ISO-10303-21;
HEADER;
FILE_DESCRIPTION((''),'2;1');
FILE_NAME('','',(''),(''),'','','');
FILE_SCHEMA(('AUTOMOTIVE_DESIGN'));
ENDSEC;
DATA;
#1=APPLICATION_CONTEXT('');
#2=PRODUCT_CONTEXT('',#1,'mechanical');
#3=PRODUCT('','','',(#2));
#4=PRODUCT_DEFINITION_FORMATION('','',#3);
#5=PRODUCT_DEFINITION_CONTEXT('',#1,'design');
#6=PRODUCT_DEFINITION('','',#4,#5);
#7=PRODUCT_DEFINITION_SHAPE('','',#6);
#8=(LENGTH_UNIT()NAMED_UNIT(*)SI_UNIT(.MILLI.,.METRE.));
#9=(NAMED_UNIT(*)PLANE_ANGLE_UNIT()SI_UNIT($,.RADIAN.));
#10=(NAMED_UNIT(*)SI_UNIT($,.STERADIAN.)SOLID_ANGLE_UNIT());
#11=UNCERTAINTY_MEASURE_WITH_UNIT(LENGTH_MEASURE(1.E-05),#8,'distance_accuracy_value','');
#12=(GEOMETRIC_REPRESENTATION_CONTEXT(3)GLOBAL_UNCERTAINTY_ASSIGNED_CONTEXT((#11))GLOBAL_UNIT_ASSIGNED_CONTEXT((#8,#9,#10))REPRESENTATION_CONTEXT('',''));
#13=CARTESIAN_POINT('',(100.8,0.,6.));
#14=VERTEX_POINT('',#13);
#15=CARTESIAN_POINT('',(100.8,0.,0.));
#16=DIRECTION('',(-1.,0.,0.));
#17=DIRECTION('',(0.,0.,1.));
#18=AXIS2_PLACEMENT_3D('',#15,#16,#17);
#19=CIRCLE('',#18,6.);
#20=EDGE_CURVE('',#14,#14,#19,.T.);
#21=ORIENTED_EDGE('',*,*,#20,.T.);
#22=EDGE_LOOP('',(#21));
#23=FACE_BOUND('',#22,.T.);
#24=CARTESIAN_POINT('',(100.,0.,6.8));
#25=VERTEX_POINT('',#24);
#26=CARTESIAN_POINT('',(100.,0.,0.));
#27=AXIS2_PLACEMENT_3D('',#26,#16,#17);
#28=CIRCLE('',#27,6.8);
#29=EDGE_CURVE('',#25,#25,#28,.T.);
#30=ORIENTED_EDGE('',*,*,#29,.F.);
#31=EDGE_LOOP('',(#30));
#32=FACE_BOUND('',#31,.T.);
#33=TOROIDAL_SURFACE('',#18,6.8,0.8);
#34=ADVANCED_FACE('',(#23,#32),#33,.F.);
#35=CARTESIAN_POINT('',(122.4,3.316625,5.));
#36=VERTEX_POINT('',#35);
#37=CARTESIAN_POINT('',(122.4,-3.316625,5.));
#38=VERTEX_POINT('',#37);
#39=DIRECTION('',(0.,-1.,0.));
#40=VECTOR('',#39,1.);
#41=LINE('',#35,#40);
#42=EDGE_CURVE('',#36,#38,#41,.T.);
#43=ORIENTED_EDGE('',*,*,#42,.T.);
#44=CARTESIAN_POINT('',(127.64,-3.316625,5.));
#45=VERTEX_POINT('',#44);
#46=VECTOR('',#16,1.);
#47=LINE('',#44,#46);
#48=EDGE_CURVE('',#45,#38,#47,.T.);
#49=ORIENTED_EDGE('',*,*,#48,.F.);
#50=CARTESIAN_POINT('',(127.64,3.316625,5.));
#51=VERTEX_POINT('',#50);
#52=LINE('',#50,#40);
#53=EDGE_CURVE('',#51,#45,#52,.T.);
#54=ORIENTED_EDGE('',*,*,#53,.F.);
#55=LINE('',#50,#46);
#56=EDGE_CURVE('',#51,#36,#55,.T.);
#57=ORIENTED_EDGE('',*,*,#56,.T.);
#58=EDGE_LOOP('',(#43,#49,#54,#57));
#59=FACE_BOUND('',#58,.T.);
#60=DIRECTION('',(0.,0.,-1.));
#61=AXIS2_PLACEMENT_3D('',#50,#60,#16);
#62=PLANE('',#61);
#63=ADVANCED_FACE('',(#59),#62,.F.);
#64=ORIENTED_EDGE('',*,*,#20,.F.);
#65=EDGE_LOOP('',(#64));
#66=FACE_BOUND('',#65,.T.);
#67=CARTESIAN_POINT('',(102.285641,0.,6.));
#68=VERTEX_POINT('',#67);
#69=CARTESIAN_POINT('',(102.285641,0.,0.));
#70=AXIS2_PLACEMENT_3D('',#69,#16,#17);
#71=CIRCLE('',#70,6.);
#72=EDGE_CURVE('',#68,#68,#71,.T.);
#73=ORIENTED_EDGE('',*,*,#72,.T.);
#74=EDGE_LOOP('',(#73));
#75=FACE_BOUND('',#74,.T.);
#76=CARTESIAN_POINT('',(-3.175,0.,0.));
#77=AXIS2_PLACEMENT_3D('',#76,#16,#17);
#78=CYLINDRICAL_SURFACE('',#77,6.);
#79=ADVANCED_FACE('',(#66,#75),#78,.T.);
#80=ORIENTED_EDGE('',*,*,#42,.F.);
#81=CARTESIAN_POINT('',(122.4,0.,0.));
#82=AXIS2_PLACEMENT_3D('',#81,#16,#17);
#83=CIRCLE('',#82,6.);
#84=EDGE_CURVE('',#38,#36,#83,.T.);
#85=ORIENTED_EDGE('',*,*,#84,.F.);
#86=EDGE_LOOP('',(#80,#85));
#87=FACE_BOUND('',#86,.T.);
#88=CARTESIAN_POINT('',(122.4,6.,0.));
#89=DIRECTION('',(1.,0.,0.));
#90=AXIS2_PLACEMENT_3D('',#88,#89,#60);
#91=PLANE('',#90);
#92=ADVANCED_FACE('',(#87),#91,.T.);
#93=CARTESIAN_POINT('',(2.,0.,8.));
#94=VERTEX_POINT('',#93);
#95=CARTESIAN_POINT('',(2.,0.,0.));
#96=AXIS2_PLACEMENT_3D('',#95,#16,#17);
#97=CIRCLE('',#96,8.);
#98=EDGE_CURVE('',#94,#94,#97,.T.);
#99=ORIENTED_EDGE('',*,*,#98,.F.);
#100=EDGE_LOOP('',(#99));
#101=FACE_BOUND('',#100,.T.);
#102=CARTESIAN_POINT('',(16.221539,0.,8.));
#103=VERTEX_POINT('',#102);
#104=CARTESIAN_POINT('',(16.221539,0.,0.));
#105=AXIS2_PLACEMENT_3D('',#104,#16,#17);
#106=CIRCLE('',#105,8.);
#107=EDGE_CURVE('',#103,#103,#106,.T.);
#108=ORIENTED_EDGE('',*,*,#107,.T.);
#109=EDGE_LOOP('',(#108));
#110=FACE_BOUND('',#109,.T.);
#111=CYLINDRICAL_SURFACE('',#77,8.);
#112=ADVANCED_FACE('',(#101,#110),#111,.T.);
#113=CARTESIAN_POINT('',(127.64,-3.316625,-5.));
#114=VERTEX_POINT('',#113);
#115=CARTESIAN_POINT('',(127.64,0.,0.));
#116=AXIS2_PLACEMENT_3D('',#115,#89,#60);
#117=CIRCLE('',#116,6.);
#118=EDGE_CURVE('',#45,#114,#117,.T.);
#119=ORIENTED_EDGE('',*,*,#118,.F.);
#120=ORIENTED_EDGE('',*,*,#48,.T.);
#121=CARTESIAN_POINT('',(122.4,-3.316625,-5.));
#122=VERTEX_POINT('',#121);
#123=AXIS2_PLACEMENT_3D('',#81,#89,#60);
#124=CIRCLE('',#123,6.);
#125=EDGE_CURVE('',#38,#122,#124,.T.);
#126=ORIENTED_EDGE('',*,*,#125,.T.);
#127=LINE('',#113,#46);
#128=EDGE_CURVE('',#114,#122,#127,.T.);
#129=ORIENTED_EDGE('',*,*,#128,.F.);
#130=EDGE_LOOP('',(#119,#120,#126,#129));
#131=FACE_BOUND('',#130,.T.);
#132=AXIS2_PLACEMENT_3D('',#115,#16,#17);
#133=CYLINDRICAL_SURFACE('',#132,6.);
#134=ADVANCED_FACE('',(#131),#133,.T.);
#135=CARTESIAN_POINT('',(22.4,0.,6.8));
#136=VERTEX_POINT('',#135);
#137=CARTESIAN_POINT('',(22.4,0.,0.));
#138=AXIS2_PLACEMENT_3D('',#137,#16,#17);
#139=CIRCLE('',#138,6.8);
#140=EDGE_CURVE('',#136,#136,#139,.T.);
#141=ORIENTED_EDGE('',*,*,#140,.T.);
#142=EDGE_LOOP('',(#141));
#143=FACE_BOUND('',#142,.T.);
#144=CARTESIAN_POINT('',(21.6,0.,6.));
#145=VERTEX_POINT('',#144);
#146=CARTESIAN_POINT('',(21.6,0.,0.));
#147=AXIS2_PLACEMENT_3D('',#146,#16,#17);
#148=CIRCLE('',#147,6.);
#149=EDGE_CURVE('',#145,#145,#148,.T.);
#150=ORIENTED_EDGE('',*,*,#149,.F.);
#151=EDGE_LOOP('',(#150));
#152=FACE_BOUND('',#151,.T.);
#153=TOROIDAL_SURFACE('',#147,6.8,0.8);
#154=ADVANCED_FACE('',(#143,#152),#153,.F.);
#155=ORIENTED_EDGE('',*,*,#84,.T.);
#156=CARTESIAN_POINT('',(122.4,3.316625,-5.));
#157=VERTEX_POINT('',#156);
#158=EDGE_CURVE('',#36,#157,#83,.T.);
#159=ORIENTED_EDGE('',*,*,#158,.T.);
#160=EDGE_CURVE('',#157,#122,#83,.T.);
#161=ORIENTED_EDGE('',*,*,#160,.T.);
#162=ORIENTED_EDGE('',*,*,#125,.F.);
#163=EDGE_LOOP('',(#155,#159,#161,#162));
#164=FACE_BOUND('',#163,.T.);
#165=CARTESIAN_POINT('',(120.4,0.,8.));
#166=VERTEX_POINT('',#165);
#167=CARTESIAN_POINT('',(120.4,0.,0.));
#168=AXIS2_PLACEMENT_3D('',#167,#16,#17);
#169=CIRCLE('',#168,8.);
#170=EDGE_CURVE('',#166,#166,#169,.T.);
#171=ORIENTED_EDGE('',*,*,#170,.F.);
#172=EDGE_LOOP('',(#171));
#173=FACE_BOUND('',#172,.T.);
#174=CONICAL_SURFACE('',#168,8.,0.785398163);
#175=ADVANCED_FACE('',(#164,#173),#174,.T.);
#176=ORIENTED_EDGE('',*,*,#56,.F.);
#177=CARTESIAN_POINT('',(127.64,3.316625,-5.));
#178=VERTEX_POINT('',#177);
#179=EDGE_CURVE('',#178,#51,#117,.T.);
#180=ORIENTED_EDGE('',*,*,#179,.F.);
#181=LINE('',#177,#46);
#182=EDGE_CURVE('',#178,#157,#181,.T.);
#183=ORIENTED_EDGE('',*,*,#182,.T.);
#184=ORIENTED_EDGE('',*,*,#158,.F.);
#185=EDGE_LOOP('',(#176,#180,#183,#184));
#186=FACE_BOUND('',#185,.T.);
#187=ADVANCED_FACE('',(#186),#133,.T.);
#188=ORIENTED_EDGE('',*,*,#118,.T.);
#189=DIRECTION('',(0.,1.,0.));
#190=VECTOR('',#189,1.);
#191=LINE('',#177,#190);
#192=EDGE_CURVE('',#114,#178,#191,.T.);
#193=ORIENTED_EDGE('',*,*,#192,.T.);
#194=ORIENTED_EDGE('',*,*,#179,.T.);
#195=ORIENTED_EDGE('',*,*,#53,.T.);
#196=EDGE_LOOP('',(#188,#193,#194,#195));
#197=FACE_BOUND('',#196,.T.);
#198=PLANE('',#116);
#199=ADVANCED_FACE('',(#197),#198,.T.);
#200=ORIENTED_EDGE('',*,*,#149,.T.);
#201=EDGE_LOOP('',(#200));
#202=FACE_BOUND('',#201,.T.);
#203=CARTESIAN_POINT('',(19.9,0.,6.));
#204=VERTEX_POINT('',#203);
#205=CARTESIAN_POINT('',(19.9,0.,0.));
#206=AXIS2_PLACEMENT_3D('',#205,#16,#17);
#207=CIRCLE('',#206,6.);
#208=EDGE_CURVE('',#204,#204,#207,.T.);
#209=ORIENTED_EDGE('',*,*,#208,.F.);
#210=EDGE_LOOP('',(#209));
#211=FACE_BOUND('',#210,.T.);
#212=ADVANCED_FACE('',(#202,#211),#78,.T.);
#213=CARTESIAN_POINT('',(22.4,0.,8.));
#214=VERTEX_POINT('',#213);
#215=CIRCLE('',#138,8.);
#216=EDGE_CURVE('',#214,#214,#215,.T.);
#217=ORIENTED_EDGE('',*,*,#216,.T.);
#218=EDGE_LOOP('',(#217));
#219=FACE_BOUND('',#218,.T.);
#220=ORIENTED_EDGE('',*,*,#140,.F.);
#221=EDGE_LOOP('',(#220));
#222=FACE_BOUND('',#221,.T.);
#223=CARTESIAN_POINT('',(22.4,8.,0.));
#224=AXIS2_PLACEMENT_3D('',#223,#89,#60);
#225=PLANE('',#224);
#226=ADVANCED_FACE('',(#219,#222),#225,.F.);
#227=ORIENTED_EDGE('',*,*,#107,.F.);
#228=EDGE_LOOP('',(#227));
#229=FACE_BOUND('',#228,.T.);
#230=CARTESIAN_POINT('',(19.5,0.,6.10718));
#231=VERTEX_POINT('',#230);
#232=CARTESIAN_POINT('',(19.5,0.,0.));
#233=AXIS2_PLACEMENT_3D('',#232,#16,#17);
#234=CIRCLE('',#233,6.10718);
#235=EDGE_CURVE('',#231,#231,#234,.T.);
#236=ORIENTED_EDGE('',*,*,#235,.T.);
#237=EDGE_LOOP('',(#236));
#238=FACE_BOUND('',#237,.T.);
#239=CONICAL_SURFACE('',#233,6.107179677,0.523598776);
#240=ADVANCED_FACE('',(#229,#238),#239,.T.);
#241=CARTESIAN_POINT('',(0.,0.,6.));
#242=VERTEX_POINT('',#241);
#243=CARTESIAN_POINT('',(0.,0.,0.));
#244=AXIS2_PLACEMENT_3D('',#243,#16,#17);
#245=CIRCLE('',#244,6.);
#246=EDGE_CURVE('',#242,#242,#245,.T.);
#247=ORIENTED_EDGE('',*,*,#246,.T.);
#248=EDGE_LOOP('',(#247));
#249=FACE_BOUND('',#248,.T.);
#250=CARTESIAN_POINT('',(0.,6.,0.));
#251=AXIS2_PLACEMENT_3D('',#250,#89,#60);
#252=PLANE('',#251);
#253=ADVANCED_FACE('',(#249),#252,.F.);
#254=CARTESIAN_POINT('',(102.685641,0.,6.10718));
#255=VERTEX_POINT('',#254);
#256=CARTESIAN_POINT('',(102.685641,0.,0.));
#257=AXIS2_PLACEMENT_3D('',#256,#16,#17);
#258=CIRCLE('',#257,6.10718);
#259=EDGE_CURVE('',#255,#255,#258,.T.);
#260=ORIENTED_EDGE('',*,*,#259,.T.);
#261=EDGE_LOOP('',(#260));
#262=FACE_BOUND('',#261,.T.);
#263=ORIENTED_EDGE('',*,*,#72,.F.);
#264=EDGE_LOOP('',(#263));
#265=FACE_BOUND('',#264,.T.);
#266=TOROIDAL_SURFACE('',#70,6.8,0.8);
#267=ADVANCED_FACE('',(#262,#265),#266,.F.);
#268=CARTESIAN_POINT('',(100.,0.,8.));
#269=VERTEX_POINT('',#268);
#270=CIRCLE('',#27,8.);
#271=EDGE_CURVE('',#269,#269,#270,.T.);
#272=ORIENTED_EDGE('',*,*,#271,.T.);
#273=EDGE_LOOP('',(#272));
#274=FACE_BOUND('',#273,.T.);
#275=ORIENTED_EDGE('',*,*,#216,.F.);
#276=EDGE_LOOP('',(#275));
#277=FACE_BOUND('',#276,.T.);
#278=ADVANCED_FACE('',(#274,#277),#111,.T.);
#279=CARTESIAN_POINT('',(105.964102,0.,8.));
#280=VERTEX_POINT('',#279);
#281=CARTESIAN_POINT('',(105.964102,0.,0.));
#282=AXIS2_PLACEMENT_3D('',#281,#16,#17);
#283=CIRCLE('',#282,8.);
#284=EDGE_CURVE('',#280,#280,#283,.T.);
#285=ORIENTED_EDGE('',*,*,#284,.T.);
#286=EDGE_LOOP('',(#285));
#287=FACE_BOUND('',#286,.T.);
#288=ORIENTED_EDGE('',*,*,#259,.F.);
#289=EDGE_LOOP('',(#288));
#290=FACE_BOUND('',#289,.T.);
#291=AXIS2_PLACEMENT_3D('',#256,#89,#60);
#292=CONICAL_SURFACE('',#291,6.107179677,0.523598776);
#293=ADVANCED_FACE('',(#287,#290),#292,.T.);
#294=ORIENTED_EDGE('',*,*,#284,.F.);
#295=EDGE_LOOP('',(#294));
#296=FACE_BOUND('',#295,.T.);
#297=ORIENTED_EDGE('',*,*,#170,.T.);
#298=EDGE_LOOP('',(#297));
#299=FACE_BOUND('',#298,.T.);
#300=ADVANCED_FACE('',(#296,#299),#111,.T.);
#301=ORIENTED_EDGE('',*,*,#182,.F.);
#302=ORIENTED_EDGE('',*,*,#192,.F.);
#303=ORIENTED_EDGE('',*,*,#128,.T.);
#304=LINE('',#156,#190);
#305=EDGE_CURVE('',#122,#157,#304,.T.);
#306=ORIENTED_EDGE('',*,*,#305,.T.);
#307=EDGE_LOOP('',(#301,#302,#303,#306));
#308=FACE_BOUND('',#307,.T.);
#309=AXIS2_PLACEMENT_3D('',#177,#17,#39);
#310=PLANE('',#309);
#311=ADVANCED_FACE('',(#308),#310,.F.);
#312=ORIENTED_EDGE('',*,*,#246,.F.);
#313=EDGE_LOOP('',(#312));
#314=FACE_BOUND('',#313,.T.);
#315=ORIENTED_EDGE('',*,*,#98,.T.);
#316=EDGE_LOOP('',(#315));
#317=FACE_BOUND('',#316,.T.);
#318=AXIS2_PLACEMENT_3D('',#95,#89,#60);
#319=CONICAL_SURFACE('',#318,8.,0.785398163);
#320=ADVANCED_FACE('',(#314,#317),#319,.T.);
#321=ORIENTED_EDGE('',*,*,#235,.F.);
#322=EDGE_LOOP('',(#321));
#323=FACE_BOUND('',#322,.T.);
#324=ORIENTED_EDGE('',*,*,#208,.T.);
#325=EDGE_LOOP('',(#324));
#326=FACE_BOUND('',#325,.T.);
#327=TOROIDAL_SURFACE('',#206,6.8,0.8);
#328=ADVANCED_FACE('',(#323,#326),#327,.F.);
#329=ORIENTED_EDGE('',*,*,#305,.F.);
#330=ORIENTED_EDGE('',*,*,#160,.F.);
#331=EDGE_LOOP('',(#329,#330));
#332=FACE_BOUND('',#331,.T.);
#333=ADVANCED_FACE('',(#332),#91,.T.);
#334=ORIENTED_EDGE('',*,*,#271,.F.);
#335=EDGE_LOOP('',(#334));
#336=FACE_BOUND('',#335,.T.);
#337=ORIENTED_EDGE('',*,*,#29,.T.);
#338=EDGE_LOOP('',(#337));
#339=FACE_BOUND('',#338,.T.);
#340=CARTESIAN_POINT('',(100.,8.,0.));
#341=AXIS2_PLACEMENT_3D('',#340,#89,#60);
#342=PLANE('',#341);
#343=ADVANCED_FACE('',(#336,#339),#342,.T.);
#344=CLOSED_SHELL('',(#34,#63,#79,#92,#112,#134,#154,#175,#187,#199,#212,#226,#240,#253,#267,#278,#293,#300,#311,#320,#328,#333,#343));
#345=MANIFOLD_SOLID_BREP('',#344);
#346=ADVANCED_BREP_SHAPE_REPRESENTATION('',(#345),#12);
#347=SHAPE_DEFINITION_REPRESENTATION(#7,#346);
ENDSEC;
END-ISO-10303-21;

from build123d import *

# Parameters (mm, degrees)
DOGPOINT_DEPTH = 5.24


with BuildPart() as part:
    # BodySke → BaseBody (revolve)
    with BuildSketch(Plane.XY, mode=Mode.PRIVATE) as basebody_sk:
        with BuildLine():
            Line((19.5, 6.107179677), (16.221539031, 8))
            Line((16.221539031, 8), (2, 8))
            Line((2, 8), (0, 6))
            Line((0, 6), (0, 0))
            Line((0, 0), (122.4, 0))
            Line((122.4, 0), (122.4, 6))
            Line((122.4, 6), (120.4, 8))
            Line((120.4, 8), (105.964101615, 8))
            Line((105.964101615, 8), (102.685640646, 6.107179677))
            ThreePointArc((102.685640646, 6.107179677), (102.492695882, 6.027259339), (102.285640646, 6))
            Line((102.285640646, 6), (100.8, 6))
            ThreePointArc((100.8, 6), (100.234314575, 6.234314575), (100, 6.8))
            Line((100, 6.8), (100, 8))
            Line((100, 8), (22.4, 8))
            Line((22.4, 8), (22.4, 6.8))
            ThreePointArc((22.4, 6.8), (22.165685425, 6.234314575), (21.6, 6))
            Line((21.6, 6), (19.9, 6))
            ThreePointArc((19.9, 6), (19.692944764, 6.027259339), (19.5, 6.107179677))
        make_face()
    revolve(basebody_sk.sketch.rotate(Axis((-3.175, 0, 0), (1, 0, 0)), 90), axis=Axis((-3.175, 0, 0), (1, 0, 0)))

    # DogPointSke → DogPoint (add)
    with BuildSketch(Plane(origin=(122.4, 0, 0), x_dir=(0, 0, -1), z_dir=(1, 0, 0))):
        with BuildLine():
            Line((-5, 3.31662479), (-5, -3.31662479))
            ThreePointArc((-5, -3.31662479), (0, -6), (5, -3.31662479))
            Line((5, -3.31662479), (5, 3.31662479))
            ThreePointArc((5, 3.31662479), (0, 6), (-5, 3.31662479))
        make_face()
    extrude(amount=DOGPOINT_DEPTH)


solid = part.part
